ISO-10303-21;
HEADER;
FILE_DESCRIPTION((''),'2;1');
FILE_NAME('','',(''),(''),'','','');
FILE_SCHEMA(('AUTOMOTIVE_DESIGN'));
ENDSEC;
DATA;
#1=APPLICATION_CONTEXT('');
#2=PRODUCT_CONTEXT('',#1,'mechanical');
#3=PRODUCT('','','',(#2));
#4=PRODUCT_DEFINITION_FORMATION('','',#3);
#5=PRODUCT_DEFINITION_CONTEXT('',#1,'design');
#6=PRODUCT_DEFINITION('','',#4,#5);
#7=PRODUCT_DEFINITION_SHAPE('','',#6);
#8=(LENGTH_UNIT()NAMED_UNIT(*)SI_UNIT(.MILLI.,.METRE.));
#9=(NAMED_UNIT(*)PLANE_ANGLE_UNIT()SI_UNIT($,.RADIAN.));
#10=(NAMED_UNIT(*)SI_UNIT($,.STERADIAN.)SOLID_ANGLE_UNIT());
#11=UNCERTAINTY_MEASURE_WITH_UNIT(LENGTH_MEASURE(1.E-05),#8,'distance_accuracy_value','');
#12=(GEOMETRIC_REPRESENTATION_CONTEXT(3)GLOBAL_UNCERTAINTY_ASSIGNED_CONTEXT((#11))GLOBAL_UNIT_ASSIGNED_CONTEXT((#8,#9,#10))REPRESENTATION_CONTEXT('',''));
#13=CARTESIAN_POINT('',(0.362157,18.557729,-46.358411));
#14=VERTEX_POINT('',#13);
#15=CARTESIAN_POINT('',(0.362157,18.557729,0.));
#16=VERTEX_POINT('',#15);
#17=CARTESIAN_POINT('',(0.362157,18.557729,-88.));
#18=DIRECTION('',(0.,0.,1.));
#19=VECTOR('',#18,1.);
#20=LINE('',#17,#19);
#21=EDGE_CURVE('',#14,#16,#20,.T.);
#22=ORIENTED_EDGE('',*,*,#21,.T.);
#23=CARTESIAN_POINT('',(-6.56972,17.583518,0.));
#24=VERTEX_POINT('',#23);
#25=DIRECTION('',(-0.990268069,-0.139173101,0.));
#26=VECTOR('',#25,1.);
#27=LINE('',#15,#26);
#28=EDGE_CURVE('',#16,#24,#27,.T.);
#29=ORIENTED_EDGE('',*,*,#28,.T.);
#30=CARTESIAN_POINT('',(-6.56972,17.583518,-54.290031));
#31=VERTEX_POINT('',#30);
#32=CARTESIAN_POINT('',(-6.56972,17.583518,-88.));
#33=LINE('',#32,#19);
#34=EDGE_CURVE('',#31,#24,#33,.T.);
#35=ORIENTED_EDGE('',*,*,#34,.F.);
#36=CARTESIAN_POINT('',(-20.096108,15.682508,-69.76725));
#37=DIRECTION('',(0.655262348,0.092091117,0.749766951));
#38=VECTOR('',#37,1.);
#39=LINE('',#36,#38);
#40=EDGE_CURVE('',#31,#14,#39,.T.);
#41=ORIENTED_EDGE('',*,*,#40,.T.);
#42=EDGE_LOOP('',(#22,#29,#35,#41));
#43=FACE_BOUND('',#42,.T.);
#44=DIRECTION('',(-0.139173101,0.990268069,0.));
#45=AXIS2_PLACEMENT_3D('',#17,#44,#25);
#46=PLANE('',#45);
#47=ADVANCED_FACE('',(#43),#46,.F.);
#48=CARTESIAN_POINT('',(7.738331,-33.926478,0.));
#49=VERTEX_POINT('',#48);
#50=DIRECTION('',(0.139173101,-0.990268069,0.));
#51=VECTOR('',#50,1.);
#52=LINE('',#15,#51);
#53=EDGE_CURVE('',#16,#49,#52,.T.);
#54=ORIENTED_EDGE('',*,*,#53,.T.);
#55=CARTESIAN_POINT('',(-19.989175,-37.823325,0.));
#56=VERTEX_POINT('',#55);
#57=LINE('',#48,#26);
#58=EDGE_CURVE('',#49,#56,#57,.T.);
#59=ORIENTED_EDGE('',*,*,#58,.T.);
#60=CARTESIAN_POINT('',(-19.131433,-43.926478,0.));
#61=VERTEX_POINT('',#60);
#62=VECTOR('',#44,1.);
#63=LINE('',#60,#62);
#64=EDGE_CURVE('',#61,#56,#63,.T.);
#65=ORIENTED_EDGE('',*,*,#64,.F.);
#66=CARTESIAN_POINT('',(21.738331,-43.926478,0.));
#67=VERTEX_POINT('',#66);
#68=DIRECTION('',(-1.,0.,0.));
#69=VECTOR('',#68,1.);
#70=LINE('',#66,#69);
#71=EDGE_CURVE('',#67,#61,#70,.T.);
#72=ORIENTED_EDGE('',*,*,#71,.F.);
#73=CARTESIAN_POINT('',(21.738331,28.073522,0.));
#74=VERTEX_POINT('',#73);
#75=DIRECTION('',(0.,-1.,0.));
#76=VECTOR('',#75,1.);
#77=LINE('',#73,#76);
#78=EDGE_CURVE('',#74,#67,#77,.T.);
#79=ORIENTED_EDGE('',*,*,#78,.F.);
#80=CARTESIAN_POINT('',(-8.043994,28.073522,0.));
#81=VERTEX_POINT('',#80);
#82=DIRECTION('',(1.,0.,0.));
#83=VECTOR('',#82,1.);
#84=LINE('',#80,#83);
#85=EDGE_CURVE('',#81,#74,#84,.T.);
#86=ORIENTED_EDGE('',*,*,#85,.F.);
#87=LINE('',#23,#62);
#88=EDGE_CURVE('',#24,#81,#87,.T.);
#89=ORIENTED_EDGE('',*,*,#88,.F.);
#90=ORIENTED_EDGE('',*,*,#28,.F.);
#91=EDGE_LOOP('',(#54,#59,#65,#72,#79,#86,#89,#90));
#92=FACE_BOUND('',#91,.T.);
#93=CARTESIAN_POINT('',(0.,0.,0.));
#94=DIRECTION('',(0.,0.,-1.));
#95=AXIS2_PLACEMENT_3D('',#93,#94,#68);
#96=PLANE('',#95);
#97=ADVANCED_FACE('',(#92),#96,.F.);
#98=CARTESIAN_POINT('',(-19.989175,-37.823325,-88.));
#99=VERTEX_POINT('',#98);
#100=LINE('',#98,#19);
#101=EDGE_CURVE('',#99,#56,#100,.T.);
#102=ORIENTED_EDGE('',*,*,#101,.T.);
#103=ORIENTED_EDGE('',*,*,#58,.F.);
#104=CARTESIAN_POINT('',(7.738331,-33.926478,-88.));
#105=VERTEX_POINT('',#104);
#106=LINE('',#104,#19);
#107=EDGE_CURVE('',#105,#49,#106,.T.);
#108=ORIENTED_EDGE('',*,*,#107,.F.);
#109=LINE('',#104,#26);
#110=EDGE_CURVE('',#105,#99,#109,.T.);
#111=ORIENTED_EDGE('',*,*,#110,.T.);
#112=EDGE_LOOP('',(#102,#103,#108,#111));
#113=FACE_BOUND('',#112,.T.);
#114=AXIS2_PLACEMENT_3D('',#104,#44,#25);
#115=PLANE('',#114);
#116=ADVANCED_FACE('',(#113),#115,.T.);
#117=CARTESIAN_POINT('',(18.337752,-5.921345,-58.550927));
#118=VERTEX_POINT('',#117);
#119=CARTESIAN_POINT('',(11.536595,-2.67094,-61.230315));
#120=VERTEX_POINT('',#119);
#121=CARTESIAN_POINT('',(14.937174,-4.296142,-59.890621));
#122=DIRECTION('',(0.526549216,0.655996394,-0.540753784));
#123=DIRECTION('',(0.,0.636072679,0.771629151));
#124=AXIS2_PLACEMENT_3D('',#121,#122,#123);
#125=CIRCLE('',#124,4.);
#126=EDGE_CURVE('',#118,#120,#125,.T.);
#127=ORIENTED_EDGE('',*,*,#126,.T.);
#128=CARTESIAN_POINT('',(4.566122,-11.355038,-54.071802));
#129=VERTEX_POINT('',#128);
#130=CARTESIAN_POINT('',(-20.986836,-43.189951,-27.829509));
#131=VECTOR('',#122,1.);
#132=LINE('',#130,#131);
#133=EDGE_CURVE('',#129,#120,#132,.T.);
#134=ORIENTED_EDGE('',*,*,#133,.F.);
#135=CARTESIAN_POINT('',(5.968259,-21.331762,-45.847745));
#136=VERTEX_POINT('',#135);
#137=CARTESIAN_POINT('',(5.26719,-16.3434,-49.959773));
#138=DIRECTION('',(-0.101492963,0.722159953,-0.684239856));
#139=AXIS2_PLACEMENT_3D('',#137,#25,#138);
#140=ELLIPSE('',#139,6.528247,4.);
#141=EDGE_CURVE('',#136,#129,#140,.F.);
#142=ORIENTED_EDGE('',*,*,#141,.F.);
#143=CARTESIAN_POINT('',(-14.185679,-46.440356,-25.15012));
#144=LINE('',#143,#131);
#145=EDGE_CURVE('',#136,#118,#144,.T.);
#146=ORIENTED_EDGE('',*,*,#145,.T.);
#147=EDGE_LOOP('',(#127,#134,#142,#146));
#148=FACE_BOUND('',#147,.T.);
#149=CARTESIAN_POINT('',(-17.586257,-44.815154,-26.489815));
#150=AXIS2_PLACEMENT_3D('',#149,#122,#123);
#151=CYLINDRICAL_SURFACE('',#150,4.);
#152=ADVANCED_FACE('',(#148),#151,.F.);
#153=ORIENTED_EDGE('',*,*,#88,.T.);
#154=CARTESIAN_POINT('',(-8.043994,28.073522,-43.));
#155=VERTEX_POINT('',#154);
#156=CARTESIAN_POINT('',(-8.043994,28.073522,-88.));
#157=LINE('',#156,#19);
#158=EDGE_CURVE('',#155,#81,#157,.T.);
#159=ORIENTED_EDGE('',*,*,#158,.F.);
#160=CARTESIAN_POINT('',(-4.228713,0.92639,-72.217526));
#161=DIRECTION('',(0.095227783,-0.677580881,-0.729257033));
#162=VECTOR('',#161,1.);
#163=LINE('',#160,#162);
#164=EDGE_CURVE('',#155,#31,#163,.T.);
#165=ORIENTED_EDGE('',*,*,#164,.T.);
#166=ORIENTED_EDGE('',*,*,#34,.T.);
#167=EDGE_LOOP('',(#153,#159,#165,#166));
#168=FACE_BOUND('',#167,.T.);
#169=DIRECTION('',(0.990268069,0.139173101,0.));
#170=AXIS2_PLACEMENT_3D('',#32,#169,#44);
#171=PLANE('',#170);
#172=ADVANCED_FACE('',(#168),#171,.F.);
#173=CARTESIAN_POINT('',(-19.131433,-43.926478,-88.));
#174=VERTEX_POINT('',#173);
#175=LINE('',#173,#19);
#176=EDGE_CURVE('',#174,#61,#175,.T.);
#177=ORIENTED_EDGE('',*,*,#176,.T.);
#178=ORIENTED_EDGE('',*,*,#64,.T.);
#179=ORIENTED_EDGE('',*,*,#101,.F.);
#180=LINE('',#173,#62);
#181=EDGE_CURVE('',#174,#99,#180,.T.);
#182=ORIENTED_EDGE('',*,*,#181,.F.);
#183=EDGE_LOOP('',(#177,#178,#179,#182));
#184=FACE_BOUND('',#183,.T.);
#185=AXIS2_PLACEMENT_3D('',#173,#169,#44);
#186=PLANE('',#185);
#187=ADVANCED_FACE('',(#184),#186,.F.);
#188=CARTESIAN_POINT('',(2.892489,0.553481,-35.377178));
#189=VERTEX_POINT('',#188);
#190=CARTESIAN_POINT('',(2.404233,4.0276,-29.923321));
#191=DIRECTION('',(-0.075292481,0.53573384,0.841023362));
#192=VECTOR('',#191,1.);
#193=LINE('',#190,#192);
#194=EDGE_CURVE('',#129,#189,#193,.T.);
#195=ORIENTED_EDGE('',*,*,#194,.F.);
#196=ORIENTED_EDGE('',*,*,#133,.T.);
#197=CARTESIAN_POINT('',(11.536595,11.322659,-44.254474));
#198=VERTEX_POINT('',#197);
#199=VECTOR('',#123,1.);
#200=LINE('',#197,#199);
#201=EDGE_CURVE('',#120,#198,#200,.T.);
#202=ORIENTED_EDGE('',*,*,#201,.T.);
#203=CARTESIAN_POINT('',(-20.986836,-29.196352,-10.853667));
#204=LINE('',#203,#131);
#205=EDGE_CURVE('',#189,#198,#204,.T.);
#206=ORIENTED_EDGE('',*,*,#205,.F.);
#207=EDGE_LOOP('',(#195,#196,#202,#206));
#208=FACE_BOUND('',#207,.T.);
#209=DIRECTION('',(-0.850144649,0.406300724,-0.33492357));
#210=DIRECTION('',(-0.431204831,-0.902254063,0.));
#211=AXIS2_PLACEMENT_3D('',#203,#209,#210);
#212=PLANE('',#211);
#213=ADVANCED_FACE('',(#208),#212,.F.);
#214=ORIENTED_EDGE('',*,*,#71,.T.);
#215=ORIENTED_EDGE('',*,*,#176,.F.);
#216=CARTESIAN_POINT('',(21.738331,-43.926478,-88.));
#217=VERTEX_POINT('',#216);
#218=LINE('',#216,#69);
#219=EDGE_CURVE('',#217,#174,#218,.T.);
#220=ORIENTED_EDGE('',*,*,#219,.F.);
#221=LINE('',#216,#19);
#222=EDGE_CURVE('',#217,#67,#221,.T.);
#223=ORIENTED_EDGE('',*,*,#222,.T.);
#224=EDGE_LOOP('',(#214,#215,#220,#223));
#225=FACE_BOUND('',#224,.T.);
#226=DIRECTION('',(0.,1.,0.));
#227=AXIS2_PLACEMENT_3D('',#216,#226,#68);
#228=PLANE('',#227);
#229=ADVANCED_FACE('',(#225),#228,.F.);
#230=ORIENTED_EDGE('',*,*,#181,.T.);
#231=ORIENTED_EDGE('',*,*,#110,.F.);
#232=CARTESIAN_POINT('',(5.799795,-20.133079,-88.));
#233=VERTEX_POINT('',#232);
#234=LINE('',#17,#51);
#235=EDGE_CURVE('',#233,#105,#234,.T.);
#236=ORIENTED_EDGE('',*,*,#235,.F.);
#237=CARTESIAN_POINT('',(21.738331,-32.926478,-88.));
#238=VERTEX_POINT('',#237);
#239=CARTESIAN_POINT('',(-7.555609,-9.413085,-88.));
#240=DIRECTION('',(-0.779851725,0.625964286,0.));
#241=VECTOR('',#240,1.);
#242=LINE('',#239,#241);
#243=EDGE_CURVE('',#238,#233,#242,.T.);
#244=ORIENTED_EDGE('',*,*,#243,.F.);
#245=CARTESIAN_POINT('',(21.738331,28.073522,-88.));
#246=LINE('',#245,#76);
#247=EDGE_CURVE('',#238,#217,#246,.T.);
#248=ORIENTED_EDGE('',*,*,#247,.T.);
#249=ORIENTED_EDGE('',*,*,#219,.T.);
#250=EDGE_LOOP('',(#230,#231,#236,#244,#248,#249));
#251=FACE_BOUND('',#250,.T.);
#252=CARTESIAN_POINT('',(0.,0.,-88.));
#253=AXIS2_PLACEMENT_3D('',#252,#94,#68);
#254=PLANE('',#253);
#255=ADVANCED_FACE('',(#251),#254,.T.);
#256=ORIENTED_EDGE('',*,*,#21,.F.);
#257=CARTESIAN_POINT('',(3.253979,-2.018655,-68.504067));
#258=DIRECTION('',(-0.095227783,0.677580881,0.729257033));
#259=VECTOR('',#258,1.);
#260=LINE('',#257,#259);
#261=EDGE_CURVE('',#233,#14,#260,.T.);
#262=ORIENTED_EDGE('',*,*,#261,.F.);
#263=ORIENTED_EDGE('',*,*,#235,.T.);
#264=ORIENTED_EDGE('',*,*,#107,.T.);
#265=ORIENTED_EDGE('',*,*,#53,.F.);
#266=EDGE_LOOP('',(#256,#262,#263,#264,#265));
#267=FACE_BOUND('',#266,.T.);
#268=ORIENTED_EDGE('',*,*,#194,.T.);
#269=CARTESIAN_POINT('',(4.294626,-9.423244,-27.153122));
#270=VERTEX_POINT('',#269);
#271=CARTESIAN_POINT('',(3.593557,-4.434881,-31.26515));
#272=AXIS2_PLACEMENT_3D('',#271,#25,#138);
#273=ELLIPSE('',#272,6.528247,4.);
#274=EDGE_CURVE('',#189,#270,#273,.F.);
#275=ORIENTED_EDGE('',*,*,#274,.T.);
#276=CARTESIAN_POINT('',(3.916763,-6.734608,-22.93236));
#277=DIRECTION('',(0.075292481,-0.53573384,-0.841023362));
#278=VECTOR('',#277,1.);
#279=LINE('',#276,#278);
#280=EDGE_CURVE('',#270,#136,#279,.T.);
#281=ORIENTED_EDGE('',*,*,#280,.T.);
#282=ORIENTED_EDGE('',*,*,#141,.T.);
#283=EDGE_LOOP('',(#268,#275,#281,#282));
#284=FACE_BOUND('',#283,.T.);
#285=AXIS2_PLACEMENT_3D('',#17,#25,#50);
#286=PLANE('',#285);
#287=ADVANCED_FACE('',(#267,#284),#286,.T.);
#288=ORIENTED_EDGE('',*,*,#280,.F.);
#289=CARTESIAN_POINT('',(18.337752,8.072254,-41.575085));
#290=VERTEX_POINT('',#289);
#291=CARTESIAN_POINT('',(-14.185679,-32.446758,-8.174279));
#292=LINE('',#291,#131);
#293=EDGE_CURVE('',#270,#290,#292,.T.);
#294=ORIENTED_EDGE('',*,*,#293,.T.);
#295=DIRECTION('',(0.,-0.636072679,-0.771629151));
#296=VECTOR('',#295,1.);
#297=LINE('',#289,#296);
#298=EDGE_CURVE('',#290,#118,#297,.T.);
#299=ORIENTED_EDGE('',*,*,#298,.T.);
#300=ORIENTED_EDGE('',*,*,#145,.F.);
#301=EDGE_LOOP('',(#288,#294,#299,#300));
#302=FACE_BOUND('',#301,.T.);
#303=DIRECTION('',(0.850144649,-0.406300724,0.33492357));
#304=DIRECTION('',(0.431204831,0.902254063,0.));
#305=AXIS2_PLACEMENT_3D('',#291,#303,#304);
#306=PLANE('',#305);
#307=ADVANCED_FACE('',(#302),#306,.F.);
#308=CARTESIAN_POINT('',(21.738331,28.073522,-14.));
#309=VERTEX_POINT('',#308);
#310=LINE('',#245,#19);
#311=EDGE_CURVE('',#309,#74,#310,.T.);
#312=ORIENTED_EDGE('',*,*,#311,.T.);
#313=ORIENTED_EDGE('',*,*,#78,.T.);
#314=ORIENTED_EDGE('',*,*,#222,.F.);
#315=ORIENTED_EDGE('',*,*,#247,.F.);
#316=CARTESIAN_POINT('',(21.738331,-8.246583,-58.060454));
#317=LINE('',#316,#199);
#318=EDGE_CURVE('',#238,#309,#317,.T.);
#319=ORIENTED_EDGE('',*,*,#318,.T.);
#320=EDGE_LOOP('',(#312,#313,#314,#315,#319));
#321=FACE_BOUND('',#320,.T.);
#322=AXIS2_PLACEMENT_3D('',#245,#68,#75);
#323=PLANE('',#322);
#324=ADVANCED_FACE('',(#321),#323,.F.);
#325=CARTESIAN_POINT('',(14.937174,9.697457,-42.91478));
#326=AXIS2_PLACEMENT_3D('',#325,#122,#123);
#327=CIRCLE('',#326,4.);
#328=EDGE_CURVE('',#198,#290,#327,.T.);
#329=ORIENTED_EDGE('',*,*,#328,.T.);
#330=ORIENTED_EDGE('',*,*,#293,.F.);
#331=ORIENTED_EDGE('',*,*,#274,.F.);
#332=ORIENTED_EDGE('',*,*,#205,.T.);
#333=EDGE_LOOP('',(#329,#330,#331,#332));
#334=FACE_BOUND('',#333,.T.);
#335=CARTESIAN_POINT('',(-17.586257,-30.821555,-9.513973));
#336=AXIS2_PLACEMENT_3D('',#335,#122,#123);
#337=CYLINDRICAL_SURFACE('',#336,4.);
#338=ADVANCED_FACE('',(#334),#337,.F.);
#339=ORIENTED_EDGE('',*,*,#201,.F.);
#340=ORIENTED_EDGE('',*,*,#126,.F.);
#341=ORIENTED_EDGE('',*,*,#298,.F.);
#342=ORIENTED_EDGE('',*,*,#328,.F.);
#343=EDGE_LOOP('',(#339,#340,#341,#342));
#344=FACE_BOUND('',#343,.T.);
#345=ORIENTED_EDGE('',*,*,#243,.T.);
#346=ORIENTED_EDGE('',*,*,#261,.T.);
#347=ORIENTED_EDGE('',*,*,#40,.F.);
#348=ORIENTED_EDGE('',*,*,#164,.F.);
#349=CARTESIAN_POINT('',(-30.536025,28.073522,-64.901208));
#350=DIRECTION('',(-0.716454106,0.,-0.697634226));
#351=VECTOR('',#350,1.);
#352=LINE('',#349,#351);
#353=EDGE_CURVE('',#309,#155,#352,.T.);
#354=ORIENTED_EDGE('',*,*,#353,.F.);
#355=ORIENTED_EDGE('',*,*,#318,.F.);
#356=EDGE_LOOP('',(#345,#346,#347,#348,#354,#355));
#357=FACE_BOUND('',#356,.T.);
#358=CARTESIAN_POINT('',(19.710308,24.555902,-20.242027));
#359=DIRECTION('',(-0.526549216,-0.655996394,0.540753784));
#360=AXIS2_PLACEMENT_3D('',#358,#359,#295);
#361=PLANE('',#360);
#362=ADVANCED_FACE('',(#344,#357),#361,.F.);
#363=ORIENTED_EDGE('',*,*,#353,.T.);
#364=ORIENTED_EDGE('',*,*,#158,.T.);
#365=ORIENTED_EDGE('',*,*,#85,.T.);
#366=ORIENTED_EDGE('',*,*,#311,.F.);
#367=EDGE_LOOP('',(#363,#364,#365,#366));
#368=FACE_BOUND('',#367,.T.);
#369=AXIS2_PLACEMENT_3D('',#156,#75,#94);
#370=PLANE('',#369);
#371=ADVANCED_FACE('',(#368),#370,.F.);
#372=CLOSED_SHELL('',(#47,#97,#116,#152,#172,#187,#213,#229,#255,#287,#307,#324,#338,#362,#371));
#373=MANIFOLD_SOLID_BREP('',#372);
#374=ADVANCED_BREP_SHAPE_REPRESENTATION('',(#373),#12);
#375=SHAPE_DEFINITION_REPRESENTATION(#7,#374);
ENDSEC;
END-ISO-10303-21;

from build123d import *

# Parameters (mm, degrees)
BOSS_EXTRUDE1_DEPTH = 88
SKETCH5_W           = 120.314234724
SKETCH5_H           = 205.924557391
CUT_EXTRUDE1_DEPTH  = 88
CUT_EXTRUDE2_REACH  = 78.774


with BuildPart() as part:
    # Sketch2 → Boss-Extrude1 (new body)
    with BuildSketch(Plane.XY):
        Polygon((21.738330866, 28.073521819), (21.738330866, -43.926478181), (-19.131432817, -43.926478181), (-19.989175059, -37.823325008), (7.738330866, -33.926478181), (0.362156515, 18.557729462), (-6.569719966, 17.583517755), (-8.043993893, 28.073521819), align=None)
    extrude(amount=-BOSS_EXTRUDE1_DEPTH)

    # Sketch5 → Cut-Extrude1 (cut)
    with BuildSketch(Plane(origin=(19.710307893, 24.555901932, -20.242027268), x_dir=(-0.850144649, 0.406300724, -0.33492357), z_dir=(-0.526549216, -0.655996394, 0.540753784))):
        with Locations((18.13624664, 41.178747918)):
            Rectangle(SKETCH5_W, SKETCH5_H)
    extrude(amount=-CUT_EXTRUDE1_DEPTH, mode=Mode.SUBTRACT)

    # Cut-Extrude2: up to this face of the body (flat: up to its plane)
    cut_extrude2_end = Plane(part.part.faces().sort_by_distance((4.446485826, -10.503783654, -37.636714234))[0])
    # Sketch6 → Cut-Extrude2 (cut, up to the picked face)
    with BuildSketch(Plane(origin=(19.710307893, 24.555901932, -20.242027268), x_dir=(0.850144649, -0.406300724, 0.33492357), z_dir=(0.526549216, 0.655996394, -0.540753784)), mode=Mode.PRIVATE) as cut_extrude2_sk1:
        with BuildLine():
            Line((-1.614496573, 26.946007892), (-1.614496573, 48.946007892))
            ThreePointArc((-1.614496573, 48.946007892), (-5.614496573, 52.946007892), (-9.614496573, 48.946007892))
            Line((-9.614496573, 48.946007892), (-9.614496573, 26.946007892))
            ThreePointArc((-9.614496573, 26.946007892), (-5.614496573, 22.946007892), (-1.614496573, 26.946007892))
        make_face()
    cut_extrude2_tool1 = split(extrude(cut_extrude2_sk1.sketch, amount=-CUT_EXTRUDE2_REACH, mode=Mode.PRIVATE), bisect_by=cut_extrude2_end, keep=Keep.BOTH, mode=Mode.PRIVATE)
    add(cut_extrude2_tool1.solids().sort_by_distance((14.937174, 2.700657, -51.4027))[0], mode=Mode.SUBTRACT)


solid = part.part
